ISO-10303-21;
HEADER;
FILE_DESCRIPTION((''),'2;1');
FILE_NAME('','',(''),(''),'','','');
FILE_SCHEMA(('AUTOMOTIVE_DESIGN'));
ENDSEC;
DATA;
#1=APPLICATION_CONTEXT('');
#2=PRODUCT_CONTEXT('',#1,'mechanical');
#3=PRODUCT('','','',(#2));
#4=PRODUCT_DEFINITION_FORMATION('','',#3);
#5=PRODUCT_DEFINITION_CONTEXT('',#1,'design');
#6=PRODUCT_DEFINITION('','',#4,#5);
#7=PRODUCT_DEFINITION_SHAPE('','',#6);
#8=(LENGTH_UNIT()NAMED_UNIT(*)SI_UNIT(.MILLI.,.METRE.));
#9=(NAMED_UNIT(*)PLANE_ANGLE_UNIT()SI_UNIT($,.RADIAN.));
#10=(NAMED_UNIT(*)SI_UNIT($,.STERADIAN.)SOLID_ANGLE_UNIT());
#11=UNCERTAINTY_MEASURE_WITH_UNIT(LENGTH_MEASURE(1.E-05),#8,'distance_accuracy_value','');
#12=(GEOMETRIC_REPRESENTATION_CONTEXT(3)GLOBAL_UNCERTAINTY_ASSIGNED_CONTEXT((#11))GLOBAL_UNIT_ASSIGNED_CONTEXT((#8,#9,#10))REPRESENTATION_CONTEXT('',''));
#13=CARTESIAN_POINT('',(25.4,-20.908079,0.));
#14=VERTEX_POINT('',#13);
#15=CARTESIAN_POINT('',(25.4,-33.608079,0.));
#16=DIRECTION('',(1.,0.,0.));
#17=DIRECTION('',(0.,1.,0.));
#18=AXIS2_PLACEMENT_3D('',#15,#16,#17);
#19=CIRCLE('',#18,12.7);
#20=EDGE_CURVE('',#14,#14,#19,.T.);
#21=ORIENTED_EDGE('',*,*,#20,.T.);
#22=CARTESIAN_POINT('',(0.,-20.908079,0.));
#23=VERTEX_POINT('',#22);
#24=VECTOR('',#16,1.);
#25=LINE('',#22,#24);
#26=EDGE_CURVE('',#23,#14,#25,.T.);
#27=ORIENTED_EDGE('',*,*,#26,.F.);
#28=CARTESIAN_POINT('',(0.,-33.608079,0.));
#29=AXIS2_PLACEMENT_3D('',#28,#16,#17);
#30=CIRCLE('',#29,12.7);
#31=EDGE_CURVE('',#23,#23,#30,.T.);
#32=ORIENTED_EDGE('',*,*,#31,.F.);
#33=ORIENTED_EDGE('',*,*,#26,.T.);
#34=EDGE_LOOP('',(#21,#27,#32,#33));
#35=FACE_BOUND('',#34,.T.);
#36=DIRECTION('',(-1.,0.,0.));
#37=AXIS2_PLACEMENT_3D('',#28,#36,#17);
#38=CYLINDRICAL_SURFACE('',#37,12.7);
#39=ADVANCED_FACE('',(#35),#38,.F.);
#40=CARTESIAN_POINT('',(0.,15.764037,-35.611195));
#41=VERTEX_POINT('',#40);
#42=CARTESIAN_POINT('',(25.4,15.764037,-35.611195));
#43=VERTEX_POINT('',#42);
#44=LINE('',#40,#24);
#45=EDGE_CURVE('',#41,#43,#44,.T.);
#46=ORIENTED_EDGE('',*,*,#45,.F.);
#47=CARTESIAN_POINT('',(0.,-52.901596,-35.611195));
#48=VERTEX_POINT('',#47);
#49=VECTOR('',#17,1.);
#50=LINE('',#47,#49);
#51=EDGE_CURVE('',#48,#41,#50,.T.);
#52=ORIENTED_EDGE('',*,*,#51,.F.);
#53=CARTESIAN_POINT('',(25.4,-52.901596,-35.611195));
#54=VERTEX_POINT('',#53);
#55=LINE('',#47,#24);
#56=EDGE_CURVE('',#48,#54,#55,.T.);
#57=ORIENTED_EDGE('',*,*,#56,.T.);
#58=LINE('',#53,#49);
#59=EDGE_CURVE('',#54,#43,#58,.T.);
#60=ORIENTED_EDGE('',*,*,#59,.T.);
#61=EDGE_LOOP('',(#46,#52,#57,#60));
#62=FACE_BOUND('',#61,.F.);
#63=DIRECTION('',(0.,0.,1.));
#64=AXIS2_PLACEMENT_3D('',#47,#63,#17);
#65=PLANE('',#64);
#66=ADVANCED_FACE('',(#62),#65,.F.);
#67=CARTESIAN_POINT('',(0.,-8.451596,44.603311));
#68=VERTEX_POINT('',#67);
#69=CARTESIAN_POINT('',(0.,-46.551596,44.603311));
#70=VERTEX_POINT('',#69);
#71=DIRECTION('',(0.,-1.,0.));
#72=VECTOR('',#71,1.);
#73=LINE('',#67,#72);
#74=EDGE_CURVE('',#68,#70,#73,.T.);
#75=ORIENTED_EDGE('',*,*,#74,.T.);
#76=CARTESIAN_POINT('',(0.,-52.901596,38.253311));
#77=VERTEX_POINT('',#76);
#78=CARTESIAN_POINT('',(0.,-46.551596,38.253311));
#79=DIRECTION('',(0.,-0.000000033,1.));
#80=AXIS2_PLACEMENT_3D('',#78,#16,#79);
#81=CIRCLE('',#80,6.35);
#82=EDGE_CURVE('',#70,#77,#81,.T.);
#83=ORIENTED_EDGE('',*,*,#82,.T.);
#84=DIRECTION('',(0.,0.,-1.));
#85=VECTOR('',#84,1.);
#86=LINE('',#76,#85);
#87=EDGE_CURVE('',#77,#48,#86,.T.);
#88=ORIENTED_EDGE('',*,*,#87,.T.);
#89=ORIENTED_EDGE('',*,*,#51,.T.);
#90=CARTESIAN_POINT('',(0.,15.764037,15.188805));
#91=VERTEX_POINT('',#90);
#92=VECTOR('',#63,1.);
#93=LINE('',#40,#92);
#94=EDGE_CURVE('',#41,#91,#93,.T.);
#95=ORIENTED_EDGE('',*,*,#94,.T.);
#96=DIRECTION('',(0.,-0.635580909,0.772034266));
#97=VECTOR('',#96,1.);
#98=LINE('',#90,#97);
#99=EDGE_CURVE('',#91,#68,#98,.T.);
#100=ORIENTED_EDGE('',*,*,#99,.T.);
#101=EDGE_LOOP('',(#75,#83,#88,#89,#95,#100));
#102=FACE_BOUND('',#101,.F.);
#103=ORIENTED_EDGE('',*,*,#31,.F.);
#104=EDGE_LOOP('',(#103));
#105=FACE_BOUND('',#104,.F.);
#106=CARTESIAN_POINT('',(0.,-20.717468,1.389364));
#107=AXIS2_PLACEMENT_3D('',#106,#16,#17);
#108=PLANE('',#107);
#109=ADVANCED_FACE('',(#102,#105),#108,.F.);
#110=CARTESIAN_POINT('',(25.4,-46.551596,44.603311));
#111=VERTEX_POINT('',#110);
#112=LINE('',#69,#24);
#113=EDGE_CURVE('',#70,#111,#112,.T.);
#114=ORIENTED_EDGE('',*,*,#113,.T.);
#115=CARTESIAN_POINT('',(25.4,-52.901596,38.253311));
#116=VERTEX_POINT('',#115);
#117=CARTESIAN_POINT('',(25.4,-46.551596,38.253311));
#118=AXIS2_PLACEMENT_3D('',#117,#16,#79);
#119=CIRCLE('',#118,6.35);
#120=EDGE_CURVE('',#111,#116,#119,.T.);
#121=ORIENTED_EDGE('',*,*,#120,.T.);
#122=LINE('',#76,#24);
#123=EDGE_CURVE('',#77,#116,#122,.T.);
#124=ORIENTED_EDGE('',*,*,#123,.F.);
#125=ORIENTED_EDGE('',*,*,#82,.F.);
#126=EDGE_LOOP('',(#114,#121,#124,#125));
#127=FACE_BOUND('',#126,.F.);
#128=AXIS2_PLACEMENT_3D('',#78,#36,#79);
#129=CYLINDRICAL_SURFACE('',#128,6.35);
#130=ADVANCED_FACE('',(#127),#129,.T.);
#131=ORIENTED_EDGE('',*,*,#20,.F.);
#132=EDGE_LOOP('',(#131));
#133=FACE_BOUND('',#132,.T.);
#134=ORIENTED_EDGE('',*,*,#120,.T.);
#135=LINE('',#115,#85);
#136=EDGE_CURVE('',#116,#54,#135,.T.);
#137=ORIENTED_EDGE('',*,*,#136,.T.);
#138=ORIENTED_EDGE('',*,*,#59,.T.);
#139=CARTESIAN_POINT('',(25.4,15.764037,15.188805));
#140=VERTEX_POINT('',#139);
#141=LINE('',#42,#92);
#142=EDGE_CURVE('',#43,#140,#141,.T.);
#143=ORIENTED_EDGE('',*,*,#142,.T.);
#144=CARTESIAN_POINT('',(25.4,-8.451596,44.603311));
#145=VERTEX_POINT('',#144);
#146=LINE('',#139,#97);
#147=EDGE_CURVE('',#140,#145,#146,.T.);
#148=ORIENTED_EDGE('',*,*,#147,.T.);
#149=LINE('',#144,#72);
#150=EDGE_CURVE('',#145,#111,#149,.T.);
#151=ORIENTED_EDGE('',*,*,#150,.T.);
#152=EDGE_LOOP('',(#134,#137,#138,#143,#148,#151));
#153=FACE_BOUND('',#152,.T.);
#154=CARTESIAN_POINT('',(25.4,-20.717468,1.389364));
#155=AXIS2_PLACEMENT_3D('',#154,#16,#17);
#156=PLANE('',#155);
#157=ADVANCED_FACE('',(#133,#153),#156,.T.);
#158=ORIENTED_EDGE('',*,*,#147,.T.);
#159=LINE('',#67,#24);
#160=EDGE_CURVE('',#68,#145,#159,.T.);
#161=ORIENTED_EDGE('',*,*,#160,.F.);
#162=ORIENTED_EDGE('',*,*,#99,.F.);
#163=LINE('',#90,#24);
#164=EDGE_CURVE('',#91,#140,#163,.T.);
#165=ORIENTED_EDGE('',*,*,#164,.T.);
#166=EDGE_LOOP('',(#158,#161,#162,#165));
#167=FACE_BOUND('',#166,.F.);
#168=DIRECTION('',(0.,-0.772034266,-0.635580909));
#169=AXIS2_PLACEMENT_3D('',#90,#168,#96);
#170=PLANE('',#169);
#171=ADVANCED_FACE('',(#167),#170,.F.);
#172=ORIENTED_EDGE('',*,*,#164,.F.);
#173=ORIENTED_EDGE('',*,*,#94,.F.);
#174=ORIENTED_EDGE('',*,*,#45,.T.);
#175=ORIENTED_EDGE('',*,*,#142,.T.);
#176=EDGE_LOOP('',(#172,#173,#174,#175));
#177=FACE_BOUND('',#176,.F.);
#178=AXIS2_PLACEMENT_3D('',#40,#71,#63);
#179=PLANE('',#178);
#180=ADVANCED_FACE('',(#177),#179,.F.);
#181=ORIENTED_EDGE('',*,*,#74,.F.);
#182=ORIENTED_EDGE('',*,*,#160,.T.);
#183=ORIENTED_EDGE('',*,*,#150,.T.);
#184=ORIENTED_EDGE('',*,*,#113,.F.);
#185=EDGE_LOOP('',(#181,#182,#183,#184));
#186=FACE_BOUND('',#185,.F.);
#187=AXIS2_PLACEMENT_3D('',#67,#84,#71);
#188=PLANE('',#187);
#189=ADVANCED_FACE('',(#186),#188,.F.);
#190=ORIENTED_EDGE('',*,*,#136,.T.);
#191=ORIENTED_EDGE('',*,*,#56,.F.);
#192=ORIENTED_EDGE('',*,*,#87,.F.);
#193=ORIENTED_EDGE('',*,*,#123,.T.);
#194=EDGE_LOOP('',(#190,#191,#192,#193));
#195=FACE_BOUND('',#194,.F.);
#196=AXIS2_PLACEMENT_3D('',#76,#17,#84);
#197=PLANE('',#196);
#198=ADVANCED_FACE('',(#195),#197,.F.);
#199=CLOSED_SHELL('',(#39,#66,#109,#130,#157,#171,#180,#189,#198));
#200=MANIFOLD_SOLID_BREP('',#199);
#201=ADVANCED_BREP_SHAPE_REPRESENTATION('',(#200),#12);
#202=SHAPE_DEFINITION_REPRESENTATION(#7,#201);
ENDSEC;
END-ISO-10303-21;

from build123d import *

# Parameters (mm, degrees)
F0_R     = 12.7
F1_DEPTH = 25.4


with BuildPart() as f1:
    # F0 (on Right) → F1 (new body)
    with BuildSketch(Plane.YZ):
        with BuildLine():
            Line((-8.451596, 44.603311), (-46.551596, 44.603311))
            ThreePointArc((-46.551596, 44.603311), (-51.041724, 42.743439), (-52.901596, 38.253311))
            Line((-52.901596, 38.253311), (-52.901596, -35.611195))
            Line((-52.901596, -35.611195), (15.764037, -35.611195))
            Line((15.764037, -35.611195), (15.764037, 15.188805))
            Line((15.764037, 15.188805), (-8.451596, 44.603311))
        make_face()
        with Locations((-33.608079, 0)):
            Circle(F0_R, mode=Mode.SUBTRACT)
    extrude(amount=F1_DEPTH)


solid = f1.part
